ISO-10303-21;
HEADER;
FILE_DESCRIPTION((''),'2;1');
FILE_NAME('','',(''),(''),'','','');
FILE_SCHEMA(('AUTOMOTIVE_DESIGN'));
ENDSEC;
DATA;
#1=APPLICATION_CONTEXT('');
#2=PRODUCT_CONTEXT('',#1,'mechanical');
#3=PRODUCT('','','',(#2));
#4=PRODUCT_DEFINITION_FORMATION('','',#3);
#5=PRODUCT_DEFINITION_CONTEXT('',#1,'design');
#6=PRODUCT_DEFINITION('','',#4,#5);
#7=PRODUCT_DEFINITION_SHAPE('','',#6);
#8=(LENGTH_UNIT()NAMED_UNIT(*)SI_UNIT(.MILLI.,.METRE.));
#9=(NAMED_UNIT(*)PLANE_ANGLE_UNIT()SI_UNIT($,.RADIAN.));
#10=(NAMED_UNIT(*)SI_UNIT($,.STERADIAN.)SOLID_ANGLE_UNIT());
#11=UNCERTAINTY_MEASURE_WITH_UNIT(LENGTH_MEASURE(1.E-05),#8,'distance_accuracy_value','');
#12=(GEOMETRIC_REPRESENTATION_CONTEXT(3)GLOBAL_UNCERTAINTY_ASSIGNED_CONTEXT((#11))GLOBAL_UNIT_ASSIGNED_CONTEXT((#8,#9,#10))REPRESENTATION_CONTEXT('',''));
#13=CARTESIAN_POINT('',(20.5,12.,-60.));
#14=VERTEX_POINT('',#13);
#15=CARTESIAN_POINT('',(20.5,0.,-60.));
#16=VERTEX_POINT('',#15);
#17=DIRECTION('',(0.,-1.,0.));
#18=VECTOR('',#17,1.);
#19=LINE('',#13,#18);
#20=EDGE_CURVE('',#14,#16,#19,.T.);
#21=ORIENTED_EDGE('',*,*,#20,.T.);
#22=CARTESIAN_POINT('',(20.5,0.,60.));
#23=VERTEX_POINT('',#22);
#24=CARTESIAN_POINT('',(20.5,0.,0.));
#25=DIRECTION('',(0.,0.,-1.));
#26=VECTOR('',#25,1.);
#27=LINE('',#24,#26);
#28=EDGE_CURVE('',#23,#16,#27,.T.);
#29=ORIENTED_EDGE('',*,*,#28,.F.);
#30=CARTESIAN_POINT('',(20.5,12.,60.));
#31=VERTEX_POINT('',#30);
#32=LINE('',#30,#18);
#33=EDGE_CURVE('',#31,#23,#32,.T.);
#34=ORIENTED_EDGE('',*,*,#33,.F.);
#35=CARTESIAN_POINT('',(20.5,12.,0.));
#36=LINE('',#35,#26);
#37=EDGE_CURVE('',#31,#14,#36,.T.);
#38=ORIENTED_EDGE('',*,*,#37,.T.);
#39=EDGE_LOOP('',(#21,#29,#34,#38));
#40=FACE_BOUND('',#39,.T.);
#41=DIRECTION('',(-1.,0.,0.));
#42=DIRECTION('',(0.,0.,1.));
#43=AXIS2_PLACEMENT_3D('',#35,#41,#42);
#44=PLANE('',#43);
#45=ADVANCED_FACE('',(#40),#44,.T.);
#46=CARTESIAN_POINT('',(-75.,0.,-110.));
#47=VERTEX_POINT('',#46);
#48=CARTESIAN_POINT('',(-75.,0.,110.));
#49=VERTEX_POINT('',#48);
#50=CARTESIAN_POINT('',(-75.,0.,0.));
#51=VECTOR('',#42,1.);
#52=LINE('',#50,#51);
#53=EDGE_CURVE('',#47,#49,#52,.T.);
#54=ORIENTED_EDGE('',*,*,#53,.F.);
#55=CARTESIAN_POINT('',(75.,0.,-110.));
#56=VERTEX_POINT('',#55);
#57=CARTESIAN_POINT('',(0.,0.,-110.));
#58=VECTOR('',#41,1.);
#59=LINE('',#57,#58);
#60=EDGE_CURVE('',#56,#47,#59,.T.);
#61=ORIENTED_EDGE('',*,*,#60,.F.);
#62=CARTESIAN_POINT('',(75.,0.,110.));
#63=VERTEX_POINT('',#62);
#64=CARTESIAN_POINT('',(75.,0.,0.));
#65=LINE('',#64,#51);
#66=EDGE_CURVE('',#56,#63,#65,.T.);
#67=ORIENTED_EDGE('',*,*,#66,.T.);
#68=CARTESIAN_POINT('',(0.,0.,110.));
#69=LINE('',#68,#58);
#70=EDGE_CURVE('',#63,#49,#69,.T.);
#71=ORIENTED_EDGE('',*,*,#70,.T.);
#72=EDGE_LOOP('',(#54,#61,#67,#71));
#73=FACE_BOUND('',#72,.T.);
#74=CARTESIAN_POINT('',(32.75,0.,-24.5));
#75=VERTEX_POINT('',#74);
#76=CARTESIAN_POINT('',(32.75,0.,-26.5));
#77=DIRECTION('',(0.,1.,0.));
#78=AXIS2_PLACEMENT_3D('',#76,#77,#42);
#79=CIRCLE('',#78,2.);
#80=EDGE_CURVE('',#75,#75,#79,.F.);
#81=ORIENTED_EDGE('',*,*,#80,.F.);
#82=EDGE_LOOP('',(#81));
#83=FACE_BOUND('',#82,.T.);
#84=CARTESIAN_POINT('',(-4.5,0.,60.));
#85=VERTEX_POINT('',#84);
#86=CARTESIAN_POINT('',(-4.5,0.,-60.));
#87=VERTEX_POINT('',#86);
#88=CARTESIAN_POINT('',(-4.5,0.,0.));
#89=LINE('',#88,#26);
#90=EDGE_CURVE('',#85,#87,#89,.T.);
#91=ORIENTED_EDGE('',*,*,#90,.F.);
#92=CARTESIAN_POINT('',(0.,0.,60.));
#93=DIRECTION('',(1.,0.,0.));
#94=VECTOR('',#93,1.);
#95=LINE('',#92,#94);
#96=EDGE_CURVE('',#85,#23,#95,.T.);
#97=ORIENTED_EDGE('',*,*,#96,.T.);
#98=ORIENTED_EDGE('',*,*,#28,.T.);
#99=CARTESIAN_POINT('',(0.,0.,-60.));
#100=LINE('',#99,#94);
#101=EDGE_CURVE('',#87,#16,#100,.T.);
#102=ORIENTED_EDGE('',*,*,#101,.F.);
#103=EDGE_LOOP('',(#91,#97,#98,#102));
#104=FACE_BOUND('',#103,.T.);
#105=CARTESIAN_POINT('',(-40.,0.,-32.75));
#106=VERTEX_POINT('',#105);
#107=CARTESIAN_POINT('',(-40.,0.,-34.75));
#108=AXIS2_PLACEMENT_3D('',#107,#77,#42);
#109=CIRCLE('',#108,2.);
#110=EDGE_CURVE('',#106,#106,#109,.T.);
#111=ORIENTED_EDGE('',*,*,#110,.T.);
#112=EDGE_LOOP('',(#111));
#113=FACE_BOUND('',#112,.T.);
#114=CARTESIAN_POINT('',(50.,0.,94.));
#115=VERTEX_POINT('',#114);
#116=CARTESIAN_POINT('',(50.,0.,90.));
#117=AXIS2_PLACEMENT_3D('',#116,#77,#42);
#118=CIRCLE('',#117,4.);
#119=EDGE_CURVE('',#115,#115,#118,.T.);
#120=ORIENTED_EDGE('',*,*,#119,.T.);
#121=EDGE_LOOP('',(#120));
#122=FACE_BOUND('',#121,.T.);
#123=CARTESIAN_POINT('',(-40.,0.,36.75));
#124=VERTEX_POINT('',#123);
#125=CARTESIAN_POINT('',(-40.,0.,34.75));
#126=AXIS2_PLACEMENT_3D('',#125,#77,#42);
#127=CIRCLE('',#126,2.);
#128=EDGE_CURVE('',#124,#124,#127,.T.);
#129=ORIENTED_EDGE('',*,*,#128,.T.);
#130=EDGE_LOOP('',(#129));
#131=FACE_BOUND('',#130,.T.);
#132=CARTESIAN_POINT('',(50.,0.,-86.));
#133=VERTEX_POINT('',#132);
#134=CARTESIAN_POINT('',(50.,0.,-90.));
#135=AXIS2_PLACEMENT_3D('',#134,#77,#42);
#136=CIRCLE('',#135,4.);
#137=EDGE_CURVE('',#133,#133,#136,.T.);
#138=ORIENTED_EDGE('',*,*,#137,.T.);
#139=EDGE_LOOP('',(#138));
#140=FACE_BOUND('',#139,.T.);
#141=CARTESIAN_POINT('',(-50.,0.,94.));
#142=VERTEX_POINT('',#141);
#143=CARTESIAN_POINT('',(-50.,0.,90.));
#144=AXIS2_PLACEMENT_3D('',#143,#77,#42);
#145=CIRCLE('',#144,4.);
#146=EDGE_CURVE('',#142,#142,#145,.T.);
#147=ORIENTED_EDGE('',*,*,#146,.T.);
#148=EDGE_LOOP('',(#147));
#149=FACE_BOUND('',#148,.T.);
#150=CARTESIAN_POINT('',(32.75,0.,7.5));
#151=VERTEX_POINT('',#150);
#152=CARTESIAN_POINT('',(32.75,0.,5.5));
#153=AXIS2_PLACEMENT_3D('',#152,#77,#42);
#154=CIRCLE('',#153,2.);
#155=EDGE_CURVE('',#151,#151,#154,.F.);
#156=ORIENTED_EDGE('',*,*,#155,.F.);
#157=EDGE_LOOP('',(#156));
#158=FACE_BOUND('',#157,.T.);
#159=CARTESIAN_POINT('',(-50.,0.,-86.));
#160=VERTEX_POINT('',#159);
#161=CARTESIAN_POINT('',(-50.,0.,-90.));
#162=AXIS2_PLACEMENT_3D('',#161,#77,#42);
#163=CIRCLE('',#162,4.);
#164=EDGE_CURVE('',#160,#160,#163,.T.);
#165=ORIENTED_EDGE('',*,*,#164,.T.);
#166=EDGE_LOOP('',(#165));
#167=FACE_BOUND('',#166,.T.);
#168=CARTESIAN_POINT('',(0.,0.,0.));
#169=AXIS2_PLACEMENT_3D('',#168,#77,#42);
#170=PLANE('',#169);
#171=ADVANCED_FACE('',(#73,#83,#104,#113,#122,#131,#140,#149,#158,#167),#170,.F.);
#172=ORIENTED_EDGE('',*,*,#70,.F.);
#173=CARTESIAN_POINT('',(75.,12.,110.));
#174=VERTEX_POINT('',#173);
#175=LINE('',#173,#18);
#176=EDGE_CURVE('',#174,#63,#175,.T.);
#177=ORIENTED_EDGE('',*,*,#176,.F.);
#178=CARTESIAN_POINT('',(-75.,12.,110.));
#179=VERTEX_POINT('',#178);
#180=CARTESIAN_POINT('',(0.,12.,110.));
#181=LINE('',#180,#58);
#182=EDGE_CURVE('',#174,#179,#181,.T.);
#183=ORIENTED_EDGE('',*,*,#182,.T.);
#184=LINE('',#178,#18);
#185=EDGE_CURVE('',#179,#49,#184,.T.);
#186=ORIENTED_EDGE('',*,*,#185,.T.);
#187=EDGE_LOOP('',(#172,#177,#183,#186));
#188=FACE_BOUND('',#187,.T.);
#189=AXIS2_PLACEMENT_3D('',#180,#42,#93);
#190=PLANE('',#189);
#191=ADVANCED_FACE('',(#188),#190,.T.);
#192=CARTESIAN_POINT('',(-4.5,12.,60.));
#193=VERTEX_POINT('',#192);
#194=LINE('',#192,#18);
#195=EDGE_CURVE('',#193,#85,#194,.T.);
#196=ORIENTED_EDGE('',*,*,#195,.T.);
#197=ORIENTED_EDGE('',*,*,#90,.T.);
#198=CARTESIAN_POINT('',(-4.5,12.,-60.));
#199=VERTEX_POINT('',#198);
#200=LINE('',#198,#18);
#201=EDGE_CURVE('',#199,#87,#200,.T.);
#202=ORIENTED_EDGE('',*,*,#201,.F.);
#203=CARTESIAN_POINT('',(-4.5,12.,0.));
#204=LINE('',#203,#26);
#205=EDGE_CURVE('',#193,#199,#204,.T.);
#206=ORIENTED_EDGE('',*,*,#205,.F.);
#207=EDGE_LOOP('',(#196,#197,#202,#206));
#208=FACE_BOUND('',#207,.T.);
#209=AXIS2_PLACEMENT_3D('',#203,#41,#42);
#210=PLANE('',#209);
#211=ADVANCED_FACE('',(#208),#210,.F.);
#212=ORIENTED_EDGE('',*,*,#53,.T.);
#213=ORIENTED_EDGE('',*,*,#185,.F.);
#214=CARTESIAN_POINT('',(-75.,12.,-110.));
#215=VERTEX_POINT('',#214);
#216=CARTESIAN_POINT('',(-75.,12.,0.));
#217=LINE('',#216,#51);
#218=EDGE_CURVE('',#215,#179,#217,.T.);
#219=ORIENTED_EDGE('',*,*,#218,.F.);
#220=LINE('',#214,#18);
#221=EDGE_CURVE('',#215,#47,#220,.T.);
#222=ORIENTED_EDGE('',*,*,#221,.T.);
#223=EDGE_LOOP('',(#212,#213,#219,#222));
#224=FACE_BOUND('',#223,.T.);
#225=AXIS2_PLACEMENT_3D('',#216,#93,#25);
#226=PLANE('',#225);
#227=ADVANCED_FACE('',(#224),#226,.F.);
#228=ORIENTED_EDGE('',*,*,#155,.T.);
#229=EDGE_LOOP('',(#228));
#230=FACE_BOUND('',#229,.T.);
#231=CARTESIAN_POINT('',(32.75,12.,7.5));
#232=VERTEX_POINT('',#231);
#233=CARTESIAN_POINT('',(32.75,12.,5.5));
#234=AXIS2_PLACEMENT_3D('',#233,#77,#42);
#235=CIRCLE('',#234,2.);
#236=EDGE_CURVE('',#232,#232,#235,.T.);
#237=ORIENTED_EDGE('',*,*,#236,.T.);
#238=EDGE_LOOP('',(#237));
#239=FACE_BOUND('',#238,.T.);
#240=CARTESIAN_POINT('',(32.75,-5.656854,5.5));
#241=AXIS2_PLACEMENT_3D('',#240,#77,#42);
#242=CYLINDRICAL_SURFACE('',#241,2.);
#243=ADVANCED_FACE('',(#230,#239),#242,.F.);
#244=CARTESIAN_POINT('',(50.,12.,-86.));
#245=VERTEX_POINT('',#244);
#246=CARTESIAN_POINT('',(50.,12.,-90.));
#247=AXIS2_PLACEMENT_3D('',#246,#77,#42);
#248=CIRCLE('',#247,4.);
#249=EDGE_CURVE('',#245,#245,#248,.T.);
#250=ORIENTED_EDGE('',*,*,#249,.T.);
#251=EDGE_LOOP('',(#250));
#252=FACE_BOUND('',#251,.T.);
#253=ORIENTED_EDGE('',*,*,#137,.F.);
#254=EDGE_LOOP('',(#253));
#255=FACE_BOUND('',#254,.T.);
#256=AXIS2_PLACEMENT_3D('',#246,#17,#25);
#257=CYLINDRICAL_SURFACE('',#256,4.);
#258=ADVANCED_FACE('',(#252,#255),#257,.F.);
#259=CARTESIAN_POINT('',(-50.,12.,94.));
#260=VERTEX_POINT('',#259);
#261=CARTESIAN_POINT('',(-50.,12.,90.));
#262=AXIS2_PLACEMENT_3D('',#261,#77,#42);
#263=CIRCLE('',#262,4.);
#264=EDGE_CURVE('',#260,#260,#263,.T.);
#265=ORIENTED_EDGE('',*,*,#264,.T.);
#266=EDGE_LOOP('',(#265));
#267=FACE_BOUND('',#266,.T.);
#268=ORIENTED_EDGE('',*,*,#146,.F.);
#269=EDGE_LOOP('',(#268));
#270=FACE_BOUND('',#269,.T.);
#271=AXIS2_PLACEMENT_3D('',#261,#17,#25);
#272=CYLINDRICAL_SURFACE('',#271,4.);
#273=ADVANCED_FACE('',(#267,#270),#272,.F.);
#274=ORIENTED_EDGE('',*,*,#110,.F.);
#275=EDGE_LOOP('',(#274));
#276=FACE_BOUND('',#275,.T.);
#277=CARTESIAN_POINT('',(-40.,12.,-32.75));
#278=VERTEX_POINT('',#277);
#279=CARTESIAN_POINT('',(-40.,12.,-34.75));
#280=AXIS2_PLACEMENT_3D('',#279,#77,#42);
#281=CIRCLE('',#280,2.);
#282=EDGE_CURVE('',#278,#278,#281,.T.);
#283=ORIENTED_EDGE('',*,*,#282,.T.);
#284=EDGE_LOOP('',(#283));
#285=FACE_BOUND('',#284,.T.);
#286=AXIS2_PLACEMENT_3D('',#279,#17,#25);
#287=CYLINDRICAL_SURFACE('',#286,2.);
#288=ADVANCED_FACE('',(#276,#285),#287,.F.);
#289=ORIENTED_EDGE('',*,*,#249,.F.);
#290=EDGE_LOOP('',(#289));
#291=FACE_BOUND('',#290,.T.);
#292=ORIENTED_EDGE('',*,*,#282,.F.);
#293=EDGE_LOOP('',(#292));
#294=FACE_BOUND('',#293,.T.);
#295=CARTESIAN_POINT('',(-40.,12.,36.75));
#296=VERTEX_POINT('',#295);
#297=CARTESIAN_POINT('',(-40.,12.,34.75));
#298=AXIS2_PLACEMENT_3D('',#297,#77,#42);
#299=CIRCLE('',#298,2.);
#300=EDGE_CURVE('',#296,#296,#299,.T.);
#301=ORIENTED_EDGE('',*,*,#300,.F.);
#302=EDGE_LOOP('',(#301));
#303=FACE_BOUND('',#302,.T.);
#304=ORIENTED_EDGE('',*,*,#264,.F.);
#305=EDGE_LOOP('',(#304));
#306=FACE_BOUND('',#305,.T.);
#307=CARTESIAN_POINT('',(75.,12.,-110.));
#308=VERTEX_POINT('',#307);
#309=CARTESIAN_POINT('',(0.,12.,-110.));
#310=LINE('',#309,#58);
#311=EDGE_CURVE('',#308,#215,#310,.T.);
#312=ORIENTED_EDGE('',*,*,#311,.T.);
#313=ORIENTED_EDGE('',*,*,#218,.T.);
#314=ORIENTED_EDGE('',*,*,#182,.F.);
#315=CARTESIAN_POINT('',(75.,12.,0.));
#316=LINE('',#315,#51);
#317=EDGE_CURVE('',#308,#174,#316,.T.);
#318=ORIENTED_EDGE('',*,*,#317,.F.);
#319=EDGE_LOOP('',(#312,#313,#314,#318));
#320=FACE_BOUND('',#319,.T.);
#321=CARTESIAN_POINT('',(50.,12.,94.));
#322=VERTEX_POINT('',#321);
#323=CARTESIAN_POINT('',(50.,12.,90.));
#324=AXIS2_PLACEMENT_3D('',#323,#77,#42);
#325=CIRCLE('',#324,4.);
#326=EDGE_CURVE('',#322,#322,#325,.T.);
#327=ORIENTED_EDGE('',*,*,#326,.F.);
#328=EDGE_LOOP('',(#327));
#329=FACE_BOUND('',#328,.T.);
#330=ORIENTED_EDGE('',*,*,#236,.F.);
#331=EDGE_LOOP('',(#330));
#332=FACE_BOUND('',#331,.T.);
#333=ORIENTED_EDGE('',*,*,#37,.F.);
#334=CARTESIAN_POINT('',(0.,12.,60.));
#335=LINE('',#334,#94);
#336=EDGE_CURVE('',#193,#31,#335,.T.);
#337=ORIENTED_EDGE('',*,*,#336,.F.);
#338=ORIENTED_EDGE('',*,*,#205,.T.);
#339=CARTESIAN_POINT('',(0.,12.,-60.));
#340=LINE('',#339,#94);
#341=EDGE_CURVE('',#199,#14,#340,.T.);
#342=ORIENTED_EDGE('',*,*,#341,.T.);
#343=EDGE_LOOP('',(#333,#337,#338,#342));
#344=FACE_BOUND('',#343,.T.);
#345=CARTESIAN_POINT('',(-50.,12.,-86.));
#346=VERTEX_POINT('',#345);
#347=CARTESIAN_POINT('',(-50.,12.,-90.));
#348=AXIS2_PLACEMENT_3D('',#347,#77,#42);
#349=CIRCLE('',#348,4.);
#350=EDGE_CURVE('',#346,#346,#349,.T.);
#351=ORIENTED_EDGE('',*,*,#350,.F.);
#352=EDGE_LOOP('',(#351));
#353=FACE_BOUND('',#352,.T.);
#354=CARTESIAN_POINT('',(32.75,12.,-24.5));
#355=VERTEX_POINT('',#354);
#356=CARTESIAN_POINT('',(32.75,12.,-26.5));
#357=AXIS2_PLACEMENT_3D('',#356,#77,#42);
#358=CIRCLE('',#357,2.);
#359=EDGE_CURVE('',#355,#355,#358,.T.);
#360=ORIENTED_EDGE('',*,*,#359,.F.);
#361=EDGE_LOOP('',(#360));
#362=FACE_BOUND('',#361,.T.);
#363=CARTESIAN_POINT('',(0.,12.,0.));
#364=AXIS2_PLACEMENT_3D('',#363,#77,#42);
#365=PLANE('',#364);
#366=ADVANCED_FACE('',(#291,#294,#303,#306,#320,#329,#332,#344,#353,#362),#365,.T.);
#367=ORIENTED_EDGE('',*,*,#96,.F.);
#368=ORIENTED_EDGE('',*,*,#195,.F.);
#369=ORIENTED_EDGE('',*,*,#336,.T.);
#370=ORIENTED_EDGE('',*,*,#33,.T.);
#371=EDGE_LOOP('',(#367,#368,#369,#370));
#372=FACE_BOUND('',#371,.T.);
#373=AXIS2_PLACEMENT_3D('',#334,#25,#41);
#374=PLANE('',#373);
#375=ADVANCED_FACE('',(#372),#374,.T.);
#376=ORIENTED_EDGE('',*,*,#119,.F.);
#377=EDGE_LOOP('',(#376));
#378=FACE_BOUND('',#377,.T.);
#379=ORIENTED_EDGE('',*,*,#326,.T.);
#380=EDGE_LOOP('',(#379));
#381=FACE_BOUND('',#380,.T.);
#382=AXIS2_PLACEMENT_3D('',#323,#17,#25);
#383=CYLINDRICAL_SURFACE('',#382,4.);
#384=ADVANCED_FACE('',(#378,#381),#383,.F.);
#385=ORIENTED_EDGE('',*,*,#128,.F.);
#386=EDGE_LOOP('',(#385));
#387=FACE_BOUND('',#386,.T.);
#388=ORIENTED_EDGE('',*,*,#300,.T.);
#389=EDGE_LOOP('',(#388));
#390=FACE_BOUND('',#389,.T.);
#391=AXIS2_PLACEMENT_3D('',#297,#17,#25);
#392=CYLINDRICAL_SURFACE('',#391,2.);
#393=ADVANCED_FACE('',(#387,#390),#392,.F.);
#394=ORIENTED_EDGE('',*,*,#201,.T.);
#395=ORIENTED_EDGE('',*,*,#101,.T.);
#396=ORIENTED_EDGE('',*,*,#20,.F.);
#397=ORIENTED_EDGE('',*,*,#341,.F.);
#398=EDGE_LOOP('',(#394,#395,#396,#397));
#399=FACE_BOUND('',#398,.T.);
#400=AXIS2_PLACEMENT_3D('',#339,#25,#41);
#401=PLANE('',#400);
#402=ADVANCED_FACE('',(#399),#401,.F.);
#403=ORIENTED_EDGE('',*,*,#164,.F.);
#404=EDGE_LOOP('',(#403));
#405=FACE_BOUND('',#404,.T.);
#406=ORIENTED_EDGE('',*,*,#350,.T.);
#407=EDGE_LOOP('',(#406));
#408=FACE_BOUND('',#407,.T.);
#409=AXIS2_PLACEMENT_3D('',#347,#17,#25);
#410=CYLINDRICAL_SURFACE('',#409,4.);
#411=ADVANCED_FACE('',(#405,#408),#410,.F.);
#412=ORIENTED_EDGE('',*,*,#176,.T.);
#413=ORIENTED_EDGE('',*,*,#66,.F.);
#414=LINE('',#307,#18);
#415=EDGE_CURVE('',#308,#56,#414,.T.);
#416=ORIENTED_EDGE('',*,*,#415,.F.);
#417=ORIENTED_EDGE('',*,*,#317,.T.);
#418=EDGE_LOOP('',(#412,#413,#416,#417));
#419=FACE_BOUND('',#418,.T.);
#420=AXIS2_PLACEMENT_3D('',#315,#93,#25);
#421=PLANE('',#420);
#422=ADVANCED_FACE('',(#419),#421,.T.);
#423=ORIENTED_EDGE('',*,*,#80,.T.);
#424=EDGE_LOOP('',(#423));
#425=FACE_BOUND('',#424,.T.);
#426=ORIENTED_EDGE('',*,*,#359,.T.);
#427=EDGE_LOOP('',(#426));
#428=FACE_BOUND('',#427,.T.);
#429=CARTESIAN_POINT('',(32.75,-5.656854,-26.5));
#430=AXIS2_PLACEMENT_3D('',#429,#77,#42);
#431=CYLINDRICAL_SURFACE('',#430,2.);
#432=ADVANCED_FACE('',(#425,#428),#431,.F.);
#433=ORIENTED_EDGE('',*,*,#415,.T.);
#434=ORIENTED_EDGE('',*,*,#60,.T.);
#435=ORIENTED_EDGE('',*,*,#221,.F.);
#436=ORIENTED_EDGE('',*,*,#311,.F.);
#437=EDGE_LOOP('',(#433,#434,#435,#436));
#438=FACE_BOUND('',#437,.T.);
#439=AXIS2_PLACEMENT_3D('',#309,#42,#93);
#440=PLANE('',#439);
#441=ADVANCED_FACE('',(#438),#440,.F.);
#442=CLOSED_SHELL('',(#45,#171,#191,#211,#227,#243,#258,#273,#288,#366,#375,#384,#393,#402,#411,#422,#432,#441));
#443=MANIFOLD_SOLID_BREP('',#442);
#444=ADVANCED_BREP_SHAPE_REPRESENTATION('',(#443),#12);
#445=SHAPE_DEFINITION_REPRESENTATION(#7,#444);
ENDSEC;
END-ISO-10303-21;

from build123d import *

# Parameters (mm, degrees)
SKETCH1_W           = 150
SKETCH1_H           = 220
SKETCH1_R           = 2
SKETCH1_R_2         = 4
SKETCH1_W_2         = 25
SKETCH1_H_2         = 120
BOSS_EXTRUDE1_DEPTH = 12
SKETCH2_R           = 2
CUT_EXTRUDE1_DEPTH  = 12


with BuildPart() as part:
    # Sketch1 → Boss-Extrude1 (new body)
    with BuildSketch(Plane(origin=(0, 0, 0), x_dir=(1, 0, 0), z_dir=(0, 1, 0))):
        Rectangle(SKETCH1_W, SKETCH1_H)
        with Locations(Location((-40, 34.75, 0), (0, 0, 270))):
            Circle(SKETCH1_R, mode=Mode.SUBTRACT)
        with Locations(Location((-40, -34.75, 0), (0, 0, 270))):
            Circle(SKETCH1_R, mode=Mode.SUBTRACT)
        with Locations(Location((-50, 90, 0), (0, 0, 270))):
            Circle(SKETCH1_R_2, mode=Mode.SUBTRACT)
        with Locations(Location((50, 90, 0), (0, 0, 270))):
            Circle(SKETCH1_R_2, mode=Mode.SUBTRACT)
        with Locations(Location((-50, -90, 0), (0, 0, 270))):
            Circle(SKETCH1_R_2, mode=Mode.SUBTRACT)
        with Locations(Location((50, -90, 0), (0, 0, 270))):
            Circle(SKETCH1_R_2, mode=Mode.SUBTRACT)
        with Locations((8, 0)):
            Rectangle(SKETCH1_W_2, SKETCH1_H_2, mode=Mode.SUBTRACT)
    extrude(amount=BOSS_EXTRUDE1_DEPTH)

    # Sketch2 → Cut-Extrude1 (cut)
    with BuildSketch(Plane(origin=(0, 12, 0), x_dir=(1, 0, 0), z_dir=(0, 1, 0))):
        with Locations(Location((32.75, 26.5, 0), (0, 0, 270))):
            Circle(SKETCH2_R)
        with Locations(Location((32.75, -5.5, 0), (0, 0, 270))):
            Circle(SKETCH2_R)
    extrude(amount=-CUT_EXTRUDE1_DEPTH, mode=Mode.SUBTRACT)


solid = part.part
